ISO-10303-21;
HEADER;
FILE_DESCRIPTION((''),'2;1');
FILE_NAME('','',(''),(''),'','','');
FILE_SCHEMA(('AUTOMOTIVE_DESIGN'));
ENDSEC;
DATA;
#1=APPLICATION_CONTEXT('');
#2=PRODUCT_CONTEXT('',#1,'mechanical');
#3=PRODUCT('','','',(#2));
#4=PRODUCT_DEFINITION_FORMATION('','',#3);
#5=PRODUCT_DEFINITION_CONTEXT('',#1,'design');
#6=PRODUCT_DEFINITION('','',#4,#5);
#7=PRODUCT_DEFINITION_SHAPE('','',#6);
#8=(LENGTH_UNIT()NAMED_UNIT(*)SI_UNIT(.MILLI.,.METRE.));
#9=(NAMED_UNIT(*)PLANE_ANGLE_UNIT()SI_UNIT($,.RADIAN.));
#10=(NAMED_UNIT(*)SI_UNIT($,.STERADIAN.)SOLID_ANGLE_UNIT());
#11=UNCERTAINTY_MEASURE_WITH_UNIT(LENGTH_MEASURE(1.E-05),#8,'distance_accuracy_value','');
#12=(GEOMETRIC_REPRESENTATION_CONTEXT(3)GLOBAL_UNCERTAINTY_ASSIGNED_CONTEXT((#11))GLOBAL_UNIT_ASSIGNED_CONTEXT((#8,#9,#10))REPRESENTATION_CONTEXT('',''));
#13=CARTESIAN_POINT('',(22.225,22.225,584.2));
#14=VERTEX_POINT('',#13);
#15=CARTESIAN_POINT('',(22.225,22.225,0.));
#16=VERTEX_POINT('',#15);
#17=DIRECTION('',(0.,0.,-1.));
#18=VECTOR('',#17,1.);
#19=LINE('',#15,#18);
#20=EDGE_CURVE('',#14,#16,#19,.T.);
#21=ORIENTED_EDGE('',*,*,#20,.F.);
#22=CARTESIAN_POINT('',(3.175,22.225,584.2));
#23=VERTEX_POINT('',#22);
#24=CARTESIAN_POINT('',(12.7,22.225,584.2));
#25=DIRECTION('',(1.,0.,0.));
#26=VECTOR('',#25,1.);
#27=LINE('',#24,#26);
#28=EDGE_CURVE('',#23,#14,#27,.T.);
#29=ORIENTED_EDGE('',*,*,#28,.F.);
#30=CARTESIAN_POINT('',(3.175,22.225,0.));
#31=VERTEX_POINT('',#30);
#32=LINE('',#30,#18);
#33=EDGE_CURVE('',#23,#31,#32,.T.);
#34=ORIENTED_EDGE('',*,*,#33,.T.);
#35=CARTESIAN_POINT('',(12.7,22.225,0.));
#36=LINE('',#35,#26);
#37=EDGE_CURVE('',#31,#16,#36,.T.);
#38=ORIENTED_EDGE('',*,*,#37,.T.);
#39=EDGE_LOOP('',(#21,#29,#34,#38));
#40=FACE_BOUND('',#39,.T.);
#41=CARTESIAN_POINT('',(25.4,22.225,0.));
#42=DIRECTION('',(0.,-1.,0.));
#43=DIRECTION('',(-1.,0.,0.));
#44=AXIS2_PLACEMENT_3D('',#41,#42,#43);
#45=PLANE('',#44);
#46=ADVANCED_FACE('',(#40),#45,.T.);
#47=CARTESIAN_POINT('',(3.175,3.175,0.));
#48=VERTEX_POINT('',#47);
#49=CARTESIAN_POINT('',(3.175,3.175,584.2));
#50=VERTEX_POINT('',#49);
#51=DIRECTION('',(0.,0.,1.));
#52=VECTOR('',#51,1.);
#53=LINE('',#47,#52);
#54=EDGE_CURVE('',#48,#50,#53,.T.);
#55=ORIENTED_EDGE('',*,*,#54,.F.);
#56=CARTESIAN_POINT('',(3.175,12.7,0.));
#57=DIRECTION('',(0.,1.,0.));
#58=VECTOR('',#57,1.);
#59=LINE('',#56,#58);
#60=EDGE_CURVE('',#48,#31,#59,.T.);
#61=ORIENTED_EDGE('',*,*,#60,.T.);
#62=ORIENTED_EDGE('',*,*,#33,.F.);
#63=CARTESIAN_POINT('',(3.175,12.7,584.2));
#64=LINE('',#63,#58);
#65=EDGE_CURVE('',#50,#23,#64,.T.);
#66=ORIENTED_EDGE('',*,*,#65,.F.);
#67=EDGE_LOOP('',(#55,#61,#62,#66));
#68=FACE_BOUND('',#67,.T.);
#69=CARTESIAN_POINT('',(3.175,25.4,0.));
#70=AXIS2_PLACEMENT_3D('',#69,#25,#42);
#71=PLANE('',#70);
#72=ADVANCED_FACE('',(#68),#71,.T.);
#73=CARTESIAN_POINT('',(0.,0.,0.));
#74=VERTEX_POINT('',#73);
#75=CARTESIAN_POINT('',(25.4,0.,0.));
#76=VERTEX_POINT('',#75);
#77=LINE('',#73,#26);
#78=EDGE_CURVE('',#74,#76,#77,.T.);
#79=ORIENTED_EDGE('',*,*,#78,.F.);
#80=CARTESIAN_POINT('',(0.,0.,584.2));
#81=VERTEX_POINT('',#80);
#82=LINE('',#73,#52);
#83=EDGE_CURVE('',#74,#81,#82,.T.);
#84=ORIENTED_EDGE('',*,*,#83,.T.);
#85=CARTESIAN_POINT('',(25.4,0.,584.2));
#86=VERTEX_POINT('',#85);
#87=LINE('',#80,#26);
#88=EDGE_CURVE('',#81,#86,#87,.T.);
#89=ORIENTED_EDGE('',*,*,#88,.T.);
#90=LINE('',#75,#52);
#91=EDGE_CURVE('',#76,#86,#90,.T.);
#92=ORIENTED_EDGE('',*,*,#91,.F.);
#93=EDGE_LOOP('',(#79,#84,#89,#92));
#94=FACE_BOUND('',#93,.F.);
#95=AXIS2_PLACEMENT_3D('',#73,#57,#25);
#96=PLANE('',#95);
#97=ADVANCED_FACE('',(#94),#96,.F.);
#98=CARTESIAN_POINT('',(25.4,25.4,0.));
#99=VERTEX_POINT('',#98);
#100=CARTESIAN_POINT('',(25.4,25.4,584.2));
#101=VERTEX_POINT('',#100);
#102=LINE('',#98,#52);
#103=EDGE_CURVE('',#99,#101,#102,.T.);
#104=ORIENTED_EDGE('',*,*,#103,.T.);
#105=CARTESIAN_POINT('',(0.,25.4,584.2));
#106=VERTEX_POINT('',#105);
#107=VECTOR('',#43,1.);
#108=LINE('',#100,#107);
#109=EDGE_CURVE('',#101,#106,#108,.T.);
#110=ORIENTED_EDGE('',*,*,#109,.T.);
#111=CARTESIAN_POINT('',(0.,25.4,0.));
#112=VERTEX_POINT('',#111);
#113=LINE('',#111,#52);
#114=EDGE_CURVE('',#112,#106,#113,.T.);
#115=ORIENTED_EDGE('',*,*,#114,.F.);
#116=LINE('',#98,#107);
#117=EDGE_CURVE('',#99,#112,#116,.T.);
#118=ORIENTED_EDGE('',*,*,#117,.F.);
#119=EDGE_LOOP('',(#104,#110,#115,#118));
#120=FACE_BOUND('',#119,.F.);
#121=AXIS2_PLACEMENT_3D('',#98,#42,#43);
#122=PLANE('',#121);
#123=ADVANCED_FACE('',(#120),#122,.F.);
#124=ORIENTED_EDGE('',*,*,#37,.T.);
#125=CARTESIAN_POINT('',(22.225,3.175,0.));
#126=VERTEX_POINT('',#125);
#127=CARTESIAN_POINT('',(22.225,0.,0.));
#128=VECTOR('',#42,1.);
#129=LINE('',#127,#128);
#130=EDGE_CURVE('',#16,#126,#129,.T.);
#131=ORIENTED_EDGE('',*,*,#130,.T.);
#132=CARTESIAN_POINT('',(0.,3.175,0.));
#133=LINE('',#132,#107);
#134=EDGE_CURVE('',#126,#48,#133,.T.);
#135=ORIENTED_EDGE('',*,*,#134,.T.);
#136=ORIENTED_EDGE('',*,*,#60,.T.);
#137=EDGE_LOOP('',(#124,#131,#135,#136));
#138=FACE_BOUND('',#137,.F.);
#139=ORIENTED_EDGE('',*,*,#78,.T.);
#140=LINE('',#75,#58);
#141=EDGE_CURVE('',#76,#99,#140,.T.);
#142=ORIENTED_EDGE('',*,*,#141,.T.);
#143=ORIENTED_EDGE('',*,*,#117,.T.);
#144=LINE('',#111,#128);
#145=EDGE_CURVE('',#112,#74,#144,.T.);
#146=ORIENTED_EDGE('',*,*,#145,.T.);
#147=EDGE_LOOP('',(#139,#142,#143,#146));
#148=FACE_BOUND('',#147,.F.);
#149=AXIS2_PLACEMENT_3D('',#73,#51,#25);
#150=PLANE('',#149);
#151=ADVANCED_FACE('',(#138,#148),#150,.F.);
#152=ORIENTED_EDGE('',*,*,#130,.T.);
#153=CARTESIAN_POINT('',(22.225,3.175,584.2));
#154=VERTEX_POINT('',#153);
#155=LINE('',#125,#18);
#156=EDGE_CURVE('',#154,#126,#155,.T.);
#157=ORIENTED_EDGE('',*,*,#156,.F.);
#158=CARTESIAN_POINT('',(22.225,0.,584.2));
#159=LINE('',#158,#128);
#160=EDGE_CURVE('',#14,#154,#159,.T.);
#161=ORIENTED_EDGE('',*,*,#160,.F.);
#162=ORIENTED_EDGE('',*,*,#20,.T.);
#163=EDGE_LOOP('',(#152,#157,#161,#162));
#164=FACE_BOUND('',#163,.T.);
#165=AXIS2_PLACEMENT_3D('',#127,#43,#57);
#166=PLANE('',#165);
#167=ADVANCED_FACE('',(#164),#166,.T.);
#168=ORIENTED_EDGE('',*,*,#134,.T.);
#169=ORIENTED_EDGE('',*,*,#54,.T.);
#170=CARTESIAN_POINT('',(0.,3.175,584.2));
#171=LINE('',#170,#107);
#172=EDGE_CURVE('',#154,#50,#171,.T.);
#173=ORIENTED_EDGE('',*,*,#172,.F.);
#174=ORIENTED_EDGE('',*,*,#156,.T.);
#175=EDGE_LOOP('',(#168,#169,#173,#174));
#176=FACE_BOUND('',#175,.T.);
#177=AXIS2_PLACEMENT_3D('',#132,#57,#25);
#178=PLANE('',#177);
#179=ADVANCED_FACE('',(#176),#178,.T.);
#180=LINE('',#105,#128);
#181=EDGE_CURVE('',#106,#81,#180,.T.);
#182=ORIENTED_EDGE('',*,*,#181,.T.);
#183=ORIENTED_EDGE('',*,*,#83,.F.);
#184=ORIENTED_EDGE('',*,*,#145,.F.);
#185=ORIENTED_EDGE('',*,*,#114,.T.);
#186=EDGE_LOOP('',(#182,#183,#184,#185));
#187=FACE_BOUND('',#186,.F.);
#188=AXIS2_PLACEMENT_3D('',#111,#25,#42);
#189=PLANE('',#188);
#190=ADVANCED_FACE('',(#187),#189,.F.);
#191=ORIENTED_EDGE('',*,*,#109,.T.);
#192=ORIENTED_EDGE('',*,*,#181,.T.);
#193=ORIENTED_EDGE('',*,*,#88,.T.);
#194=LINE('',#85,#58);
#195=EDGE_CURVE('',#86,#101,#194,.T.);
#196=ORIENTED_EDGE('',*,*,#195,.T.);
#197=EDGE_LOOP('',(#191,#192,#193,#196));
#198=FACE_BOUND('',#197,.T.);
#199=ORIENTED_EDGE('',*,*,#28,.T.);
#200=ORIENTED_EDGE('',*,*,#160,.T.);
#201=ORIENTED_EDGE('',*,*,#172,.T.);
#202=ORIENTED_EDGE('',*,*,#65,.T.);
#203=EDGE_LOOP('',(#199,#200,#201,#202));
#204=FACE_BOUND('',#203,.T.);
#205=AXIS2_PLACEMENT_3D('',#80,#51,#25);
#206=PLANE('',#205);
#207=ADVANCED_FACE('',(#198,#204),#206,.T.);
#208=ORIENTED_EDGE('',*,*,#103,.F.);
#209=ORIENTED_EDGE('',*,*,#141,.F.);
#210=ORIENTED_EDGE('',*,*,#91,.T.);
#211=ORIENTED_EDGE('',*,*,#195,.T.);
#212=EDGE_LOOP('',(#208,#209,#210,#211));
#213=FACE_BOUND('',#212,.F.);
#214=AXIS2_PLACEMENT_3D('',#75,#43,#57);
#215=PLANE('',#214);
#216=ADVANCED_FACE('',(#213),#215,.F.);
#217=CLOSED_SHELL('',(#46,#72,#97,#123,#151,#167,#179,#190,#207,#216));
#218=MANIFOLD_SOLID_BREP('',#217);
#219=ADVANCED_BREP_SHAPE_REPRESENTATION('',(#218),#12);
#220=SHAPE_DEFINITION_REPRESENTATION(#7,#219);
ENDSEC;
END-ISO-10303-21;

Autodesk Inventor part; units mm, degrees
ref_plane "YZ Plane" through (0, 0, 0) normal (1, 0, 0) x (0, 1, 0)
ref_plane "XZ Plane" through (0, 0, 0) normal (0, 1, 0) x (-1, 0, 0)
ref_plane "XY Plane" through (0, 0, 0) normal (0, 0, 1) x (1, 0, 0)
sketch "Sketch1" plane through (0, 0, 0) normal (0, 0, 1) x (1, 0, 0)
  line L0 (0, 0) -> (25.4, 0)
  line L1 (25.4, 0) -> (25.4, 25.4)
  line L2 (25.4, 25.4) -> (0, 25.4)
  line L3 (0, 25.4) -> (0, 0)
  dimension "d0" = 25.4
  dimension "d1" = 25.4
extrude "Extrusion1" add sketch "Sketch1" along normal blind 584.2
shell "Shell1" thickness 3.175 removed faces 2 at (8.4667, 16.9333, 0) at (8.4667, 16.9333, 584.2)
properties part number "Frame_FrontCrossRail" material "Aluminum-6061"
